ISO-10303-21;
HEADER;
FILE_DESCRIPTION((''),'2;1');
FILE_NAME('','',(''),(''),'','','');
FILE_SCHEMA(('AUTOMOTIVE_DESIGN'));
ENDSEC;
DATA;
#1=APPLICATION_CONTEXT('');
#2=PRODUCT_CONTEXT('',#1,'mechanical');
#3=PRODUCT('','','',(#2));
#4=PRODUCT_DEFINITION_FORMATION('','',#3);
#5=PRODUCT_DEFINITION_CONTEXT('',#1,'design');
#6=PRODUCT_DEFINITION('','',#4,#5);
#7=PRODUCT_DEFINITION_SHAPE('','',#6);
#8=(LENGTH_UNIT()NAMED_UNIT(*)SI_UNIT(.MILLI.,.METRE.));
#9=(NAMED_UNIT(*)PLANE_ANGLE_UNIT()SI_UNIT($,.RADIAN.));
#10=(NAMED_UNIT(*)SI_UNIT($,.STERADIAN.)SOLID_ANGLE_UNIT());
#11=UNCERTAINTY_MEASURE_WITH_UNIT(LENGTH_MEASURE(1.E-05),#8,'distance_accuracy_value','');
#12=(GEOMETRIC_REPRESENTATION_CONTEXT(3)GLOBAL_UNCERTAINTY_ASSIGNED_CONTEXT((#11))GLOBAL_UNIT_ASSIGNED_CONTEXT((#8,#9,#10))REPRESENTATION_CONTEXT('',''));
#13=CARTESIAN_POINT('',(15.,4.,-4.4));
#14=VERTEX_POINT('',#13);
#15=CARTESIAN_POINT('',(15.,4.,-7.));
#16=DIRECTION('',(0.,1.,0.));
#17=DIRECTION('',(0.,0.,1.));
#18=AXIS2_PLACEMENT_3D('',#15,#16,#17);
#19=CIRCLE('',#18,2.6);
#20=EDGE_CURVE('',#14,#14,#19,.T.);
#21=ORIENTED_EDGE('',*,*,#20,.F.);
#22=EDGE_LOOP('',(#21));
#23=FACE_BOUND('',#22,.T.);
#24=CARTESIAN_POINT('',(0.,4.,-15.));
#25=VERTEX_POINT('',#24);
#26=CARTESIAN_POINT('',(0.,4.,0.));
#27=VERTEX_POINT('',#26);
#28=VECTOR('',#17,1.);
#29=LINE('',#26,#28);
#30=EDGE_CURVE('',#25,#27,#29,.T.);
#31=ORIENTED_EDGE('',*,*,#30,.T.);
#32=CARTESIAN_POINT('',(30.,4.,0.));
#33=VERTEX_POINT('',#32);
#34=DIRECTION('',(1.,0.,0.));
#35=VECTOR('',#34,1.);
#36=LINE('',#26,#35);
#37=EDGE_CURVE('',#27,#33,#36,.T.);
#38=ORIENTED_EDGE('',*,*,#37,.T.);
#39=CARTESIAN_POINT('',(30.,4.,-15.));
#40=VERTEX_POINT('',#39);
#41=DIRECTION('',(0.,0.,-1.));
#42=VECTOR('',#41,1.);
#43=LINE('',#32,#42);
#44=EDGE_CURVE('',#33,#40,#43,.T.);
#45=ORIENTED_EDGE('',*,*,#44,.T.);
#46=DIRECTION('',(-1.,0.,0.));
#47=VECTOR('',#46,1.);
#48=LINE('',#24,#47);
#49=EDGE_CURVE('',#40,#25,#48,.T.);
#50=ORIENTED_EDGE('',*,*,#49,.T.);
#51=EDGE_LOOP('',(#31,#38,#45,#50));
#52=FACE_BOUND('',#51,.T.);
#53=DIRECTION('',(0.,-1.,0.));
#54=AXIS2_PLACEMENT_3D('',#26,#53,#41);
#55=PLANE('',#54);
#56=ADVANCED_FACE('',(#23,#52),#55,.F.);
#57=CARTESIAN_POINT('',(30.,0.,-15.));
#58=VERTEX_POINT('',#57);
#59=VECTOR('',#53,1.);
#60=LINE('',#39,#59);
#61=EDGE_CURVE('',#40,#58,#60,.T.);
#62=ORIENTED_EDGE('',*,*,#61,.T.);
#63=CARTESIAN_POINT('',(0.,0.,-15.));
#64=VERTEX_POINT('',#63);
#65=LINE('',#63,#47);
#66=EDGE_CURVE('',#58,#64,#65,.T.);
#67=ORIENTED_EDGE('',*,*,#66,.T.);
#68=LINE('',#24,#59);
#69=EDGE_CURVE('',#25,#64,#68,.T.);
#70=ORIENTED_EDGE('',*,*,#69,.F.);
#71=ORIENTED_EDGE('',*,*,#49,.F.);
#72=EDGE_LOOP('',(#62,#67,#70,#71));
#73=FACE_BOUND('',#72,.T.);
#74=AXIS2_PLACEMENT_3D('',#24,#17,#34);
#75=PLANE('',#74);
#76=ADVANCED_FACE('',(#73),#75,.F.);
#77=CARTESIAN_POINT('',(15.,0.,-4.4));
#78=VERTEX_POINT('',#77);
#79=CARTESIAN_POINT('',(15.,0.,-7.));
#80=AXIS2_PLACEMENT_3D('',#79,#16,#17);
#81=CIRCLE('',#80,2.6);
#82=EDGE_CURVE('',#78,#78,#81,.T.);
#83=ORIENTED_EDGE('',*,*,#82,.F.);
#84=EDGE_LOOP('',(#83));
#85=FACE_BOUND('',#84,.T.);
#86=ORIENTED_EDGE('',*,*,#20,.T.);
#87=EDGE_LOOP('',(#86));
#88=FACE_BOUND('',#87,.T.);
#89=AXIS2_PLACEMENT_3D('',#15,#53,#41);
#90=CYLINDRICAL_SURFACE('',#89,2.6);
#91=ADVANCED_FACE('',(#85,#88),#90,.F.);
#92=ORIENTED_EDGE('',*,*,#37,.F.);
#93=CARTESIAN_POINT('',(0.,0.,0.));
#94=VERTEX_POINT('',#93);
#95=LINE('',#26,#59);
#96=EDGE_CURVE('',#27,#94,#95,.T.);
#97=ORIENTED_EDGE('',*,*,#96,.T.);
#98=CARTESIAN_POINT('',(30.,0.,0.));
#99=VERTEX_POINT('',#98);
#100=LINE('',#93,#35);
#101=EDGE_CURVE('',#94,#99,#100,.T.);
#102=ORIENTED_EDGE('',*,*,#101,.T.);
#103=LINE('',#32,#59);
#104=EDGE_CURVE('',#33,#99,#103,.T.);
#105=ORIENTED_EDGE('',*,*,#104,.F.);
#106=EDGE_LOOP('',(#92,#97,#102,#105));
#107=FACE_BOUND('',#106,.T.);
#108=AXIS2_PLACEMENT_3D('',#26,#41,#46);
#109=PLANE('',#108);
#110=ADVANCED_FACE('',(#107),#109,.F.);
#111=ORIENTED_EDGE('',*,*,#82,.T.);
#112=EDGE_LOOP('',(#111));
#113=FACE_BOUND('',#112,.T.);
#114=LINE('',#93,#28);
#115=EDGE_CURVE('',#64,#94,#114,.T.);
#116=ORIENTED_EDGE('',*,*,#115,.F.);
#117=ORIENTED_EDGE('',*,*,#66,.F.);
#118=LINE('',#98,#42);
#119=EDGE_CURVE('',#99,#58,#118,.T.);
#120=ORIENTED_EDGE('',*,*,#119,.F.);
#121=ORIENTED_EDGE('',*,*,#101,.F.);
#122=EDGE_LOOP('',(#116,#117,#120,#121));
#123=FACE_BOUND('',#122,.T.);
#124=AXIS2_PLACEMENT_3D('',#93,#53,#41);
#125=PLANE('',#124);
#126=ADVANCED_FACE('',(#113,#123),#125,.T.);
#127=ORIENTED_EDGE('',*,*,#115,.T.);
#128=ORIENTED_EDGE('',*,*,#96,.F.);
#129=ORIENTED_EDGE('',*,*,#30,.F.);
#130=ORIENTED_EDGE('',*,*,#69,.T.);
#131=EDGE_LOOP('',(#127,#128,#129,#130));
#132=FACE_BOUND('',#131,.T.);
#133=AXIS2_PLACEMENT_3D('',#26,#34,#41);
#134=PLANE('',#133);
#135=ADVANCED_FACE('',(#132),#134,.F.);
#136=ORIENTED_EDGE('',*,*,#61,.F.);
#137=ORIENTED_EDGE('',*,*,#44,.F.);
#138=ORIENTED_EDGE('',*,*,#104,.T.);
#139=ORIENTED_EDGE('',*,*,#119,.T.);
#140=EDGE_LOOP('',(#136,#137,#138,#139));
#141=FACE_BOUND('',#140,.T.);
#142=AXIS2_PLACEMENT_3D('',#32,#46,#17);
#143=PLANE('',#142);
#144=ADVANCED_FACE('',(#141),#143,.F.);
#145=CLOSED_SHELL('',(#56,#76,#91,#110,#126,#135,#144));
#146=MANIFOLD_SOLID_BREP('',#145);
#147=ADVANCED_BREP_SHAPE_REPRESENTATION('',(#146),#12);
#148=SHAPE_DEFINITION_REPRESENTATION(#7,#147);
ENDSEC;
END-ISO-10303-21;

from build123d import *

# Parameters (mm, degrees)
SKETCH_1_W      = 30
SKETCH_1_H      = 15
SKETCH_1_R      = 2.6
EXTRUDE_1_DEPTH = 4


with BuildPart() as part:
    # 草图1 → 凸台-拉伸1 (new body)
    with BuildSketch(Plane(origin=(0, 0, 0), x_dir=(1, 0, 0), z_dir=(0, 1, 0))):
        with Locations((15, 7.5)):
            Rectangle(SKETCH_1_W, SKETCH_1_H)
        with Locations(Location((15, 7, 0), (0, 0, 270))):
            Circle(SKETCH_1_R, mode=Mode.SUBTRACT)
    extrude(amount=EXTRUDE_1_DEPTH)


solid = part.part
